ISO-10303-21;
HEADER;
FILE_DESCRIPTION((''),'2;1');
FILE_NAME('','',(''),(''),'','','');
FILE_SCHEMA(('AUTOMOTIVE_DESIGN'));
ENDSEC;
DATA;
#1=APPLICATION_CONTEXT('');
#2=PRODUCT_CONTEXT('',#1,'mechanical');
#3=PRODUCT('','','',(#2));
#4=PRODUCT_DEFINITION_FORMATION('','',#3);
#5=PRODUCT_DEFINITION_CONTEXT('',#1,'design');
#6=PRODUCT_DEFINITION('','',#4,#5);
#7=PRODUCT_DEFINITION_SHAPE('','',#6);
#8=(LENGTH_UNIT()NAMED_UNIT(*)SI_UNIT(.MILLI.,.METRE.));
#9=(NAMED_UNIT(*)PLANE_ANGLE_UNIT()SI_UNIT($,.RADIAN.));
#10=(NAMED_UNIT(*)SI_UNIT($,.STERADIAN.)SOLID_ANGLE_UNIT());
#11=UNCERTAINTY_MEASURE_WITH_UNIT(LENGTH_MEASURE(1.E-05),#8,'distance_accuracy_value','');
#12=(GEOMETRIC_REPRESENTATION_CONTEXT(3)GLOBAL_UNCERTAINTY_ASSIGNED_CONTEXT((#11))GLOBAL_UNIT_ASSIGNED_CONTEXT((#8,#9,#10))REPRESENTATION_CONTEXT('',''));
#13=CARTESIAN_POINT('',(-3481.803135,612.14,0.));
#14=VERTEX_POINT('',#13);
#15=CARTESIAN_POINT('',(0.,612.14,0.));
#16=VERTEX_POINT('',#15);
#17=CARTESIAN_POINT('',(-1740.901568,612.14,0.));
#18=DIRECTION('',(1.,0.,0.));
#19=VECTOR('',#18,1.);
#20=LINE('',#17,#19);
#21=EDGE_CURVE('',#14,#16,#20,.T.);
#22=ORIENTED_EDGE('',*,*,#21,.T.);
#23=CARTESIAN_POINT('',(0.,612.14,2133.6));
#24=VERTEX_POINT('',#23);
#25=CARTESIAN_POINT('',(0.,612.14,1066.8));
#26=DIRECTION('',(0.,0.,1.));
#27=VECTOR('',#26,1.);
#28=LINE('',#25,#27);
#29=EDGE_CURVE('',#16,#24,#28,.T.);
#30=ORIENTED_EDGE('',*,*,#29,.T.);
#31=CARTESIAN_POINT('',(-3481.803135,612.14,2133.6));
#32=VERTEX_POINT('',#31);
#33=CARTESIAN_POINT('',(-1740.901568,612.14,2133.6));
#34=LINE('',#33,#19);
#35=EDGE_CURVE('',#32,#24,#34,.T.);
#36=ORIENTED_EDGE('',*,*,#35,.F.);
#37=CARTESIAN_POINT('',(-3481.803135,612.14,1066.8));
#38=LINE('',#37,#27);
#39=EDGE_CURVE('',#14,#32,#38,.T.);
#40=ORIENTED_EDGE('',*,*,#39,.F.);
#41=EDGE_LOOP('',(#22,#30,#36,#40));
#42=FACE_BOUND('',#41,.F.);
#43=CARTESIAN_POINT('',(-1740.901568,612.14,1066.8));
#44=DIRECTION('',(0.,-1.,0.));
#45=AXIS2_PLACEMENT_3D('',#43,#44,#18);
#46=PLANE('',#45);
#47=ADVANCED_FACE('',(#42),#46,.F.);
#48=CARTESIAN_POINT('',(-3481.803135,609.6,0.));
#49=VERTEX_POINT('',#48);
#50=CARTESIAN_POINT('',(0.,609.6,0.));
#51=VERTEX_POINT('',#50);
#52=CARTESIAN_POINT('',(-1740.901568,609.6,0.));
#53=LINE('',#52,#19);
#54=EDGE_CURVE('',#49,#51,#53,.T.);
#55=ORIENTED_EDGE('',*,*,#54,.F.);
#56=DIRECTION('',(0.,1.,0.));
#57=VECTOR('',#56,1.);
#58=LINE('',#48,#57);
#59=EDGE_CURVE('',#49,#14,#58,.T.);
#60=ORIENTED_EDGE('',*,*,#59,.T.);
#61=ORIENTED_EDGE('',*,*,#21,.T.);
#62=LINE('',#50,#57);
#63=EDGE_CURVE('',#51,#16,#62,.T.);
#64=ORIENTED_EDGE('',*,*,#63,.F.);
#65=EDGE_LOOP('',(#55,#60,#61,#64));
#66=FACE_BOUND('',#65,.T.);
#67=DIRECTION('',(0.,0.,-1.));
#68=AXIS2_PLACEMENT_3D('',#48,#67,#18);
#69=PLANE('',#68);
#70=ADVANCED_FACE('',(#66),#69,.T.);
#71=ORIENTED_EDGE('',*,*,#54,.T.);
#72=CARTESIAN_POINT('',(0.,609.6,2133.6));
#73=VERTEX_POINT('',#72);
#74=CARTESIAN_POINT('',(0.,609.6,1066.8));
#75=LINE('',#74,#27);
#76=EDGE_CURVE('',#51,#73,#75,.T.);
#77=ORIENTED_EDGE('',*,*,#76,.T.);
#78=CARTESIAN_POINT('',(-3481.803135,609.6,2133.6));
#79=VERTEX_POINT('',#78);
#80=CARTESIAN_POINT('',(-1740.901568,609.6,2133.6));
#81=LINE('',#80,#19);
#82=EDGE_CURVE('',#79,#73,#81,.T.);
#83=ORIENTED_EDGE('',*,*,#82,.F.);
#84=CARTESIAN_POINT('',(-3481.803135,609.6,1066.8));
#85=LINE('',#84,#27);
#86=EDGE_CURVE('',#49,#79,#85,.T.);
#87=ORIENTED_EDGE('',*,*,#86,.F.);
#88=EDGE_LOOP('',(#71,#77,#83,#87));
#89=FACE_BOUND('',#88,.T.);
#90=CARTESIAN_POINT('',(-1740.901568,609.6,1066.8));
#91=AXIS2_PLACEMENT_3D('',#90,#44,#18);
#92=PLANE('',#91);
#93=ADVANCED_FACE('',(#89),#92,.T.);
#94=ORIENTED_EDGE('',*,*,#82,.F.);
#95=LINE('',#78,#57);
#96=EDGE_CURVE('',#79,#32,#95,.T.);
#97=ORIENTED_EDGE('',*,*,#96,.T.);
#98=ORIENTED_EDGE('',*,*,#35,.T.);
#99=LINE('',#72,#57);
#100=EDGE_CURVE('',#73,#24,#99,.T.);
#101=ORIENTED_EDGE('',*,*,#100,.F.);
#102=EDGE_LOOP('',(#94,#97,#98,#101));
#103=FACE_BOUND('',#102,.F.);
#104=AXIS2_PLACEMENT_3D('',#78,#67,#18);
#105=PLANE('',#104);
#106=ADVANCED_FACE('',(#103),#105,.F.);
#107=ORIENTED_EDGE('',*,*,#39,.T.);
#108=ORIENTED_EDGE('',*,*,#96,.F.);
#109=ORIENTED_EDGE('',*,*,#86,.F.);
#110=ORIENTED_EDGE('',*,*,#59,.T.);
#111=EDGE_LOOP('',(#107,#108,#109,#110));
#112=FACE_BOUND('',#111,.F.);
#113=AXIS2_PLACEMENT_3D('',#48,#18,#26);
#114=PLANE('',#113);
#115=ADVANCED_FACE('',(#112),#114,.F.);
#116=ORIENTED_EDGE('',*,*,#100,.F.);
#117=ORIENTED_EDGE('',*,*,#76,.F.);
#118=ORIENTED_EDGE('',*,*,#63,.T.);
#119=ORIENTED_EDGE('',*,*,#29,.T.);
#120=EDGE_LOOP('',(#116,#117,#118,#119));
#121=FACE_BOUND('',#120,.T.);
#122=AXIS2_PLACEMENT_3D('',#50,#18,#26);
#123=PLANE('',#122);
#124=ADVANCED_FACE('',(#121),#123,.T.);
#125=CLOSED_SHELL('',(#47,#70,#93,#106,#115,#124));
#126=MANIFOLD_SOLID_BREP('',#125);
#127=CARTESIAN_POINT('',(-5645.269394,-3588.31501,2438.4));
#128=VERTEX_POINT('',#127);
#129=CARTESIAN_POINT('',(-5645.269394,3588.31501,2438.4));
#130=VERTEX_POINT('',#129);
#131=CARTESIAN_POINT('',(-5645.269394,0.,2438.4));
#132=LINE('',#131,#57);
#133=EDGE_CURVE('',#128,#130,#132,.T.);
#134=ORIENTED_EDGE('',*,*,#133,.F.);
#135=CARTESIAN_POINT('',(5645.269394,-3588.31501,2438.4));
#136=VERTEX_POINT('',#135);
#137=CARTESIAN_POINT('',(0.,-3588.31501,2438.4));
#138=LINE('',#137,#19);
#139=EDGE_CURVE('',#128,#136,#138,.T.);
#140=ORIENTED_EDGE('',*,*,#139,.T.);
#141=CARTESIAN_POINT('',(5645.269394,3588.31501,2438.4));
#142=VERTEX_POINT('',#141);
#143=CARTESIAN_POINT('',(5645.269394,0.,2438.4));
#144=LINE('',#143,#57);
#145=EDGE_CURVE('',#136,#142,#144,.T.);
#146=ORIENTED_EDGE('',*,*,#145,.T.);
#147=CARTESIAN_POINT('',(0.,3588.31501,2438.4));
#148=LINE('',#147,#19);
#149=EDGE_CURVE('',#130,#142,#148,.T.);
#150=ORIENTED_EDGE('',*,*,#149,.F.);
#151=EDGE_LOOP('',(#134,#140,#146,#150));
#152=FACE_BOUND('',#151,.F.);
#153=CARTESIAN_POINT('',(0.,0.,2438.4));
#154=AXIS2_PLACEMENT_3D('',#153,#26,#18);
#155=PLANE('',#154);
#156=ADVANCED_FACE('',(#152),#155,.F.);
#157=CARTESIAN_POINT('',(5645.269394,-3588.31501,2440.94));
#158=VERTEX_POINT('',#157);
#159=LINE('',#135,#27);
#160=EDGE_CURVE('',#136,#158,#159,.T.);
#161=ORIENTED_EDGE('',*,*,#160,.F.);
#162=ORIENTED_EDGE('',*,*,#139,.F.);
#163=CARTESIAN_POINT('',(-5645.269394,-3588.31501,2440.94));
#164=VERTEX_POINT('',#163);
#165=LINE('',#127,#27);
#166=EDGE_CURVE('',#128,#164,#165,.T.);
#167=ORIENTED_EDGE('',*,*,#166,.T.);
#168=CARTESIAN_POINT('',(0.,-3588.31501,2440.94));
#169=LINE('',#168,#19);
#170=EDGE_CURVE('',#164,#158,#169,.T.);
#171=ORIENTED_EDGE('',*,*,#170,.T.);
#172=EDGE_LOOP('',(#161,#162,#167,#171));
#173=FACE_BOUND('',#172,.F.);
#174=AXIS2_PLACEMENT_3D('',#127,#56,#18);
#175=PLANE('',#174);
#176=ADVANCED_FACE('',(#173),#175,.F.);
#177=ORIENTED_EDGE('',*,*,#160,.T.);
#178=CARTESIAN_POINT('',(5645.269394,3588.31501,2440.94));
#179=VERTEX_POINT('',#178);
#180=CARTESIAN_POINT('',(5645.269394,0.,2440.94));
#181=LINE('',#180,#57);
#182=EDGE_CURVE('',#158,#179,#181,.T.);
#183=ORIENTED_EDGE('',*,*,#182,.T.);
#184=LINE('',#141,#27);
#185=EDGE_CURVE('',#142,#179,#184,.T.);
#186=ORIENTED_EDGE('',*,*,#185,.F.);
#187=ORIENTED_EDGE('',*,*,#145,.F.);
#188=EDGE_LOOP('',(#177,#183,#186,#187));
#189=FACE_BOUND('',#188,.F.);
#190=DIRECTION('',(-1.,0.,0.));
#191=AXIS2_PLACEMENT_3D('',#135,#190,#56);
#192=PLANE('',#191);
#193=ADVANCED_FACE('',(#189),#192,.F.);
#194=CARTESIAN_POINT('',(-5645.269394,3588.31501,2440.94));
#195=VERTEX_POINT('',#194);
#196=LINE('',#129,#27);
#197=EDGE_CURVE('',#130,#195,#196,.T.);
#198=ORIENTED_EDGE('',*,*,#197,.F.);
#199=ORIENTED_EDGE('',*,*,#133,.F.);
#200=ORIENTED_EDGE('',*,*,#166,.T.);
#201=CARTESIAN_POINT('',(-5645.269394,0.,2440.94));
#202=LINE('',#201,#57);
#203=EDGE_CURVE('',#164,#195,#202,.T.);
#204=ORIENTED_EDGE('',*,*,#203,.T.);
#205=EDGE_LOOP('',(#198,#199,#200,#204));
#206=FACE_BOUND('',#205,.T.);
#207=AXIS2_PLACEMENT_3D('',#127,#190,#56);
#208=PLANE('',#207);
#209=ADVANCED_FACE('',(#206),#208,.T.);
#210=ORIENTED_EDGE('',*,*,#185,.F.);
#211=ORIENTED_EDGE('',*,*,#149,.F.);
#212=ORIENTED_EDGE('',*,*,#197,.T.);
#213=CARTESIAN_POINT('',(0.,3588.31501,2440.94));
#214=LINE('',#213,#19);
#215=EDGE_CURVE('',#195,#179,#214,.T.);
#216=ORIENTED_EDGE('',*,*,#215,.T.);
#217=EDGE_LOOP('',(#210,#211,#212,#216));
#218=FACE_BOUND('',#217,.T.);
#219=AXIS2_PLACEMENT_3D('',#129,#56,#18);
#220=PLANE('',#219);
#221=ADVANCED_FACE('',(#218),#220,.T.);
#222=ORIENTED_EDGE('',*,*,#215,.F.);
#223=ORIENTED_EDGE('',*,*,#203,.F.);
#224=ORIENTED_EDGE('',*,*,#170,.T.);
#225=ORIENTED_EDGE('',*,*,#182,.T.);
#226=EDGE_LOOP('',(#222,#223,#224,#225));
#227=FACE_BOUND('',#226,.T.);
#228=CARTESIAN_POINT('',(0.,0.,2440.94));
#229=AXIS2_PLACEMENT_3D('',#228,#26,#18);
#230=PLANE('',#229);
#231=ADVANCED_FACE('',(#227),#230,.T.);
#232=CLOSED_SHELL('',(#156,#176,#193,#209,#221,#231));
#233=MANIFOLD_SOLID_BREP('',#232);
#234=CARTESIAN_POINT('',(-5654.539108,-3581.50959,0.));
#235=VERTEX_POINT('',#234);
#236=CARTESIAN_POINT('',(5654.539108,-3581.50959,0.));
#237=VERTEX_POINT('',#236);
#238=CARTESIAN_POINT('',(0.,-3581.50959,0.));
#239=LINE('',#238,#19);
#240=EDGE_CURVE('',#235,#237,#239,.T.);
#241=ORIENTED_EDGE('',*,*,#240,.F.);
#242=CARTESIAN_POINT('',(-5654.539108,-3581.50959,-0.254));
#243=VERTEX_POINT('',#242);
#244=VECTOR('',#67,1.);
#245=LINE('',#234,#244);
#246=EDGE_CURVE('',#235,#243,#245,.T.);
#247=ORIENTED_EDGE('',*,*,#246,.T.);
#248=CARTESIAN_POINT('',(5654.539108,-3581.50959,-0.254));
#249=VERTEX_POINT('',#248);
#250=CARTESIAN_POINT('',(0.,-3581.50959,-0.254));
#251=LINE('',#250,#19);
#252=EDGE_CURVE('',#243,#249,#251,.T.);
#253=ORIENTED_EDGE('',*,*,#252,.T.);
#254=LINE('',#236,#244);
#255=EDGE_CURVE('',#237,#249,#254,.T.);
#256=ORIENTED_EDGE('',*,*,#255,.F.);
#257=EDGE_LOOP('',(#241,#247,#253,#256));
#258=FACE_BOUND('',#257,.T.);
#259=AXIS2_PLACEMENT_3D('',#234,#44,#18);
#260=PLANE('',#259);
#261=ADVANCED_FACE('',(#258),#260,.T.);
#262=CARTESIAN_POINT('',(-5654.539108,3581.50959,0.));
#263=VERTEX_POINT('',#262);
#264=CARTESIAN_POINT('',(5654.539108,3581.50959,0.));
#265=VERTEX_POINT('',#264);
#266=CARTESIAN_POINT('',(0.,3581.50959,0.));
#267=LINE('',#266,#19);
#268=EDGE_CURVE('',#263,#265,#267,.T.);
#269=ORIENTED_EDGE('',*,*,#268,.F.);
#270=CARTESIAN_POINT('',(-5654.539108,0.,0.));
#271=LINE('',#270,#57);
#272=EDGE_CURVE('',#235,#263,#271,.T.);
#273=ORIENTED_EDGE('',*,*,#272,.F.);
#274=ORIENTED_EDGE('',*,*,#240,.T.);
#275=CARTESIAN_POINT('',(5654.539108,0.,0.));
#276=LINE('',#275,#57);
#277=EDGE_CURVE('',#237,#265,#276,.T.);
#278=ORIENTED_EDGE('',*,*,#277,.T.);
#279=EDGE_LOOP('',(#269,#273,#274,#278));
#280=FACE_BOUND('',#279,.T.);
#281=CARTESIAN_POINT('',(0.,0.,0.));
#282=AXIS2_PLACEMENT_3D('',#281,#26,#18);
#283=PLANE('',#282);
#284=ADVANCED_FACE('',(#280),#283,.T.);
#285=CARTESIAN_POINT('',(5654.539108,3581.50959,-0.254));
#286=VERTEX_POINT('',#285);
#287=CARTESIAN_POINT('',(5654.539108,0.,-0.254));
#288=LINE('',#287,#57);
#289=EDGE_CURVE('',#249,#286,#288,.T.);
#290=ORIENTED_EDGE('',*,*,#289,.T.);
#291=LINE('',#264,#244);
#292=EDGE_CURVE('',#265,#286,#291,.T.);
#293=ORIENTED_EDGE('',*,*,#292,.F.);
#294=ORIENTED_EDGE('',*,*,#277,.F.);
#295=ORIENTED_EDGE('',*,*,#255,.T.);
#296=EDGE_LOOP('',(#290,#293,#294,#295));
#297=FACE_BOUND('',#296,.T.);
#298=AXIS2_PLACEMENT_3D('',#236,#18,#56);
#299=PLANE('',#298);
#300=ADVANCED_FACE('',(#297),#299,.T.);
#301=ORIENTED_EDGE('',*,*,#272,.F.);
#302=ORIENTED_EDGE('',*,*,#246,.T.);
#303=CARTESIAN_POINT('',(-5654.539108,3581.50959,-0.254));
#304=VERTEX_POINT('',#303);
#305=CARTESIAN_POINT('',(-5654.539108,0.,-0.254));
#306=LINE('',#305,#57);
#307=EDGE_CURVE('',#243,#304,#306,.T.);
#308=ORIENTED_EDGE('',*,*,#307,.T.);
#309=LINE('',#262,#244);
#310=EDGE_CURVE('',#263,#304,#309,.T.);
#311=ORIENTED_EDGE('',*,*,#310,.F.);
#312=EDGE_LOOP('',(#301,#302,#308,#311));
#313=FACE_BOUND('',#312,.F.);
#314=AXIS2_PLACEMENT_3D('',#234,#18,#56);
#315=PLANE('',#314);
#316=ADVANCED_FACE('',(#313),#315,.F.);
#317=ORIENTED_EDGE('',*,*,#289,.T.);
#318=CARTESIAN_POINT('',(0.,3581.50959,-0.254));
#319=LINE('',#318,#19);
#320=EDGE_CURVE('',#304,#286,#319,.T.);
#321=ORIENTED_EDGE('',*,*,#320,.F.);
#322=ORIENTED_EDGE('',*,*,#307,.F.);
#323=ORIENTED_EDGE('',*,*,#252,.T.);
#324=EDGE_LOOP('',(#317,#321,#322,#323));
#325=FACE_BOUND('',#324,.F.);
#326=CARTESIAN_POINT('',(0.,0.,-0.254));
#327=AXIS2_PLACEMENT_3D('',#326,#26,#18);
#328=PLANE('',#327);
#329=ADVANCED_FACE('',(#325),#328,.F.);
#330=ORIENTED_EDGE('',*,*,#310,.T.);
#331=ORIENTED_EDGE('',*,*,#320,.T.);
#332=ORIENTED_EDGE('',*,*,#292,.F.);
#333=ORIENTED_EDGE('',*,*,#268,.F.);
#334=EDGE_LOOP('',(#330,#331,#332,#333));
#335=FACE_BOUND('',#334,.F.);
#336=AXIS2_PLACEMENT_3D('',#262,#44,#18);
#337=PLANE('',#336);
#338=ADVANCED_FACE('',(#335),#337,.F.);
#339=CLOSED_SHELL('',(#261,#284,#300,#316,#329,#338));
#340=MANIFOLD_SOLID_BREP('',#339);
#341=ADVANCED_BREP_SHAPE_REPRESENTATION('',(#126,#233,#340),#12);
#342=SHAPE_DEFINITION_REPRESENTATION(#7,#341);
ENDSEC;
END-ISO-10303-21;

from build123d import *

# Parameters (mm, degrees)
F1_START = -609.6
F0_W     = 3481.8031354523
F0_H     = 2133.6
F1_DEPTH = 2.54
F2_W     = 11309.0782165527
F2_H     = 7163.0191802979
F3_DEPTH = 0.254
F5_START = 2438.4
F4_W     = 11290.5387878418
F4_H     = 7176.6300201416
F5_DEPTH = 2.54


with BuildPart() as f1:
    # F0 (on Front) → F1 (new body)
    with BuildSketch(Plane.XZ.offset(F1_START)):
        with Locations((-1740.9015677261, 1066.8)):
            Rectangle(F0_W, F0_H)
    extrude(amount=-F1_DEPTH)


with BuildPart() as f3:
    # F2 (on Top) → F3 (new body)
    with BuildSketch(Plane.XY):
        Rectangle(F2_W, F2_H)
    extrude(amount=-F3_DEPTH)


with BuildPart() as f5:
    # F4 (on Top) → F5 (new body)
    with BuildSketch(Plane.XY.offset(F5_START)):
        Rectangle(F4_W, F4_H)
    extrude(amount=F5_DEPTH)


solid = Compound([f1.part, f3.part, f5.part])
